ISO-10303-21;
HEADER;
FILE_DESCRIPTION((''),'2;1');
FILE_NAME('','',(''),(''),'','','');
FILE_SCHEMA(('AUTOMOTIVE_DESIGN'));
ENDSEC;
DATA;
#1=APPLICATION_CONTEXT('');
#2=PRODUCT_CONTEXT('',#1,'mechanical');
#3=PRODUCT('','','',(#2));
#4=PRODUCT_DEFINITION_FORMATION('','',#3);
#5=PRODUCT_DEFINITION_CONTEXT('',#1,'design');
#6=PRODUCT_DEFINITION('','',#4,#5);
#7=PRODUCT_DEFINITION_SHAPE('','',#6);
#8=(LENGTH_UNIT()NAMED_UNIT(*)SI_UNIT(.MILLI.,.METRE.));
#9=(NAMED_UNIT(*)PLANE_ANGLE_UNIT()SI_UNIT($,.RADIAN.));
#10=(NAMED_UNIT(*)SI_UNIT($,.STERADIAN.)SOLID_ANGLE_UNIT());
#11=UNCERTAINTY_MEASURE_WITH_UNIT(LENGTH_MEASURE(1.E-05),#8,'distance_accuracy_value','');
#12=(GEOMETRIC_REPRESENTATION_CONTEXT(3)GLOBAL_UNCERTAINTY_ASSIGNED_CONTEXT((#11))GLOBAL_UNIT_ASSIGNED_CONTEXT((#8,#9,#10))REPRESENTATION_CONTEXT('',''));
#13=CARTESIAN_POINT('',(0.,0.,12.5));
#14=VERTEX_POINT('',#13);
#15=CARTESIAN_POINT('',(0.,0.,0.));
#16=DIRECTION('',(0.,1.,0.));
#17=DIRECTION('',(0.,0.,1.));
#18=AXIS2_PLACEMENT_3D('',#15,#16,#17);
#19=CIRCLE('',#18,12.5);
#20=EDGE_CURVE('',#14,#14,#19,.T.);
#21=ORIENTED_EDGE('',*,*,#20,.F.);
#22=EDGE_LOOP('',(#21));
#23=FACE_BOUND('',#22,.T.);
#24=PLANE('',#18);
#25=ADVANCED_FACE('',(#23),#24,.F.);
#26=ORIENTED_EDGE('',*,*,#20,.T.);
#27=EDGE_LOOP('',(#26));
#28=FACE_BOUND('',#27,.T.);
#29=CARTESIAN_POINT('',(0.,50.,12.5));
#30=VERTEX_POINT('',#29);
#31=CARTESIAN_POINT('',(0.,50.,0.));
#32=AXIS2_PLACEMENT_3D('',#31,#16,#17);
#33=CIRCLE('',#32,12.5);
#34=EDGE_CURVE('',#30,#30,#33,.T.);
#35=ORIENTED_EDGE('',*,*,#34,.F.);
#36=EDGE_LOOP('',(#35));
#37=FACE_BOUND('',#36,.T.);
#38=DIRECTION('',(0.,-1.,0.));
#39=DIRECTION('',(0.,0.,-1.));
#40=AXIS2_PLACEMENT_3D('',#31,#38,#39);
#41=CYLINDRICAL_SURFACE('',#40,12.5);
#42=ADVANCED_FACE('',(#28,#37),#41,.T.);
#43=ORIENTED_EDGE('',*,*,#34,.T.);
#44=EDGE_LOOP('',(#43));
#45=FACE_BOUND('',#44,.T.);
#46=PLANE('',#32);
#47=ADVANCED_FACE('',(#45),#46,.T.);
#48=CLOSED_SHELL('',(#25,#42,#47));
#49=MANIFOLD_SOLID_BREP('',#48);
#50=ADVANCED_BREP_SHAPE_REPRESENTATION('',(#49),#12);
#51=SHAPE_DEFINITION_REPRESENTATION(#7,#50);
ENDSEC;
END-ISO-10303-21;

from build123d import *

# Parameters (mm, degrees)
SKIZZE1_R                       = 12.5
AUFSATZ_LINEAR_AUSTRAGEN1_DEPTH = 50


with BuildPart() as part:
    # Skizze1 → Aufsatz-Linear austragen1 (new body)
    with BuildSketch(Plane(origin=(0, 0, 0), x_dir=(1, 0, 0), z_dir=(0, 1, 0))):
        Circle(SKIZZE1_R)
    extrude(amount=AUFSATZ_LINEAR_AUSTRAGEN1_DEPTH)


solid = part.part
